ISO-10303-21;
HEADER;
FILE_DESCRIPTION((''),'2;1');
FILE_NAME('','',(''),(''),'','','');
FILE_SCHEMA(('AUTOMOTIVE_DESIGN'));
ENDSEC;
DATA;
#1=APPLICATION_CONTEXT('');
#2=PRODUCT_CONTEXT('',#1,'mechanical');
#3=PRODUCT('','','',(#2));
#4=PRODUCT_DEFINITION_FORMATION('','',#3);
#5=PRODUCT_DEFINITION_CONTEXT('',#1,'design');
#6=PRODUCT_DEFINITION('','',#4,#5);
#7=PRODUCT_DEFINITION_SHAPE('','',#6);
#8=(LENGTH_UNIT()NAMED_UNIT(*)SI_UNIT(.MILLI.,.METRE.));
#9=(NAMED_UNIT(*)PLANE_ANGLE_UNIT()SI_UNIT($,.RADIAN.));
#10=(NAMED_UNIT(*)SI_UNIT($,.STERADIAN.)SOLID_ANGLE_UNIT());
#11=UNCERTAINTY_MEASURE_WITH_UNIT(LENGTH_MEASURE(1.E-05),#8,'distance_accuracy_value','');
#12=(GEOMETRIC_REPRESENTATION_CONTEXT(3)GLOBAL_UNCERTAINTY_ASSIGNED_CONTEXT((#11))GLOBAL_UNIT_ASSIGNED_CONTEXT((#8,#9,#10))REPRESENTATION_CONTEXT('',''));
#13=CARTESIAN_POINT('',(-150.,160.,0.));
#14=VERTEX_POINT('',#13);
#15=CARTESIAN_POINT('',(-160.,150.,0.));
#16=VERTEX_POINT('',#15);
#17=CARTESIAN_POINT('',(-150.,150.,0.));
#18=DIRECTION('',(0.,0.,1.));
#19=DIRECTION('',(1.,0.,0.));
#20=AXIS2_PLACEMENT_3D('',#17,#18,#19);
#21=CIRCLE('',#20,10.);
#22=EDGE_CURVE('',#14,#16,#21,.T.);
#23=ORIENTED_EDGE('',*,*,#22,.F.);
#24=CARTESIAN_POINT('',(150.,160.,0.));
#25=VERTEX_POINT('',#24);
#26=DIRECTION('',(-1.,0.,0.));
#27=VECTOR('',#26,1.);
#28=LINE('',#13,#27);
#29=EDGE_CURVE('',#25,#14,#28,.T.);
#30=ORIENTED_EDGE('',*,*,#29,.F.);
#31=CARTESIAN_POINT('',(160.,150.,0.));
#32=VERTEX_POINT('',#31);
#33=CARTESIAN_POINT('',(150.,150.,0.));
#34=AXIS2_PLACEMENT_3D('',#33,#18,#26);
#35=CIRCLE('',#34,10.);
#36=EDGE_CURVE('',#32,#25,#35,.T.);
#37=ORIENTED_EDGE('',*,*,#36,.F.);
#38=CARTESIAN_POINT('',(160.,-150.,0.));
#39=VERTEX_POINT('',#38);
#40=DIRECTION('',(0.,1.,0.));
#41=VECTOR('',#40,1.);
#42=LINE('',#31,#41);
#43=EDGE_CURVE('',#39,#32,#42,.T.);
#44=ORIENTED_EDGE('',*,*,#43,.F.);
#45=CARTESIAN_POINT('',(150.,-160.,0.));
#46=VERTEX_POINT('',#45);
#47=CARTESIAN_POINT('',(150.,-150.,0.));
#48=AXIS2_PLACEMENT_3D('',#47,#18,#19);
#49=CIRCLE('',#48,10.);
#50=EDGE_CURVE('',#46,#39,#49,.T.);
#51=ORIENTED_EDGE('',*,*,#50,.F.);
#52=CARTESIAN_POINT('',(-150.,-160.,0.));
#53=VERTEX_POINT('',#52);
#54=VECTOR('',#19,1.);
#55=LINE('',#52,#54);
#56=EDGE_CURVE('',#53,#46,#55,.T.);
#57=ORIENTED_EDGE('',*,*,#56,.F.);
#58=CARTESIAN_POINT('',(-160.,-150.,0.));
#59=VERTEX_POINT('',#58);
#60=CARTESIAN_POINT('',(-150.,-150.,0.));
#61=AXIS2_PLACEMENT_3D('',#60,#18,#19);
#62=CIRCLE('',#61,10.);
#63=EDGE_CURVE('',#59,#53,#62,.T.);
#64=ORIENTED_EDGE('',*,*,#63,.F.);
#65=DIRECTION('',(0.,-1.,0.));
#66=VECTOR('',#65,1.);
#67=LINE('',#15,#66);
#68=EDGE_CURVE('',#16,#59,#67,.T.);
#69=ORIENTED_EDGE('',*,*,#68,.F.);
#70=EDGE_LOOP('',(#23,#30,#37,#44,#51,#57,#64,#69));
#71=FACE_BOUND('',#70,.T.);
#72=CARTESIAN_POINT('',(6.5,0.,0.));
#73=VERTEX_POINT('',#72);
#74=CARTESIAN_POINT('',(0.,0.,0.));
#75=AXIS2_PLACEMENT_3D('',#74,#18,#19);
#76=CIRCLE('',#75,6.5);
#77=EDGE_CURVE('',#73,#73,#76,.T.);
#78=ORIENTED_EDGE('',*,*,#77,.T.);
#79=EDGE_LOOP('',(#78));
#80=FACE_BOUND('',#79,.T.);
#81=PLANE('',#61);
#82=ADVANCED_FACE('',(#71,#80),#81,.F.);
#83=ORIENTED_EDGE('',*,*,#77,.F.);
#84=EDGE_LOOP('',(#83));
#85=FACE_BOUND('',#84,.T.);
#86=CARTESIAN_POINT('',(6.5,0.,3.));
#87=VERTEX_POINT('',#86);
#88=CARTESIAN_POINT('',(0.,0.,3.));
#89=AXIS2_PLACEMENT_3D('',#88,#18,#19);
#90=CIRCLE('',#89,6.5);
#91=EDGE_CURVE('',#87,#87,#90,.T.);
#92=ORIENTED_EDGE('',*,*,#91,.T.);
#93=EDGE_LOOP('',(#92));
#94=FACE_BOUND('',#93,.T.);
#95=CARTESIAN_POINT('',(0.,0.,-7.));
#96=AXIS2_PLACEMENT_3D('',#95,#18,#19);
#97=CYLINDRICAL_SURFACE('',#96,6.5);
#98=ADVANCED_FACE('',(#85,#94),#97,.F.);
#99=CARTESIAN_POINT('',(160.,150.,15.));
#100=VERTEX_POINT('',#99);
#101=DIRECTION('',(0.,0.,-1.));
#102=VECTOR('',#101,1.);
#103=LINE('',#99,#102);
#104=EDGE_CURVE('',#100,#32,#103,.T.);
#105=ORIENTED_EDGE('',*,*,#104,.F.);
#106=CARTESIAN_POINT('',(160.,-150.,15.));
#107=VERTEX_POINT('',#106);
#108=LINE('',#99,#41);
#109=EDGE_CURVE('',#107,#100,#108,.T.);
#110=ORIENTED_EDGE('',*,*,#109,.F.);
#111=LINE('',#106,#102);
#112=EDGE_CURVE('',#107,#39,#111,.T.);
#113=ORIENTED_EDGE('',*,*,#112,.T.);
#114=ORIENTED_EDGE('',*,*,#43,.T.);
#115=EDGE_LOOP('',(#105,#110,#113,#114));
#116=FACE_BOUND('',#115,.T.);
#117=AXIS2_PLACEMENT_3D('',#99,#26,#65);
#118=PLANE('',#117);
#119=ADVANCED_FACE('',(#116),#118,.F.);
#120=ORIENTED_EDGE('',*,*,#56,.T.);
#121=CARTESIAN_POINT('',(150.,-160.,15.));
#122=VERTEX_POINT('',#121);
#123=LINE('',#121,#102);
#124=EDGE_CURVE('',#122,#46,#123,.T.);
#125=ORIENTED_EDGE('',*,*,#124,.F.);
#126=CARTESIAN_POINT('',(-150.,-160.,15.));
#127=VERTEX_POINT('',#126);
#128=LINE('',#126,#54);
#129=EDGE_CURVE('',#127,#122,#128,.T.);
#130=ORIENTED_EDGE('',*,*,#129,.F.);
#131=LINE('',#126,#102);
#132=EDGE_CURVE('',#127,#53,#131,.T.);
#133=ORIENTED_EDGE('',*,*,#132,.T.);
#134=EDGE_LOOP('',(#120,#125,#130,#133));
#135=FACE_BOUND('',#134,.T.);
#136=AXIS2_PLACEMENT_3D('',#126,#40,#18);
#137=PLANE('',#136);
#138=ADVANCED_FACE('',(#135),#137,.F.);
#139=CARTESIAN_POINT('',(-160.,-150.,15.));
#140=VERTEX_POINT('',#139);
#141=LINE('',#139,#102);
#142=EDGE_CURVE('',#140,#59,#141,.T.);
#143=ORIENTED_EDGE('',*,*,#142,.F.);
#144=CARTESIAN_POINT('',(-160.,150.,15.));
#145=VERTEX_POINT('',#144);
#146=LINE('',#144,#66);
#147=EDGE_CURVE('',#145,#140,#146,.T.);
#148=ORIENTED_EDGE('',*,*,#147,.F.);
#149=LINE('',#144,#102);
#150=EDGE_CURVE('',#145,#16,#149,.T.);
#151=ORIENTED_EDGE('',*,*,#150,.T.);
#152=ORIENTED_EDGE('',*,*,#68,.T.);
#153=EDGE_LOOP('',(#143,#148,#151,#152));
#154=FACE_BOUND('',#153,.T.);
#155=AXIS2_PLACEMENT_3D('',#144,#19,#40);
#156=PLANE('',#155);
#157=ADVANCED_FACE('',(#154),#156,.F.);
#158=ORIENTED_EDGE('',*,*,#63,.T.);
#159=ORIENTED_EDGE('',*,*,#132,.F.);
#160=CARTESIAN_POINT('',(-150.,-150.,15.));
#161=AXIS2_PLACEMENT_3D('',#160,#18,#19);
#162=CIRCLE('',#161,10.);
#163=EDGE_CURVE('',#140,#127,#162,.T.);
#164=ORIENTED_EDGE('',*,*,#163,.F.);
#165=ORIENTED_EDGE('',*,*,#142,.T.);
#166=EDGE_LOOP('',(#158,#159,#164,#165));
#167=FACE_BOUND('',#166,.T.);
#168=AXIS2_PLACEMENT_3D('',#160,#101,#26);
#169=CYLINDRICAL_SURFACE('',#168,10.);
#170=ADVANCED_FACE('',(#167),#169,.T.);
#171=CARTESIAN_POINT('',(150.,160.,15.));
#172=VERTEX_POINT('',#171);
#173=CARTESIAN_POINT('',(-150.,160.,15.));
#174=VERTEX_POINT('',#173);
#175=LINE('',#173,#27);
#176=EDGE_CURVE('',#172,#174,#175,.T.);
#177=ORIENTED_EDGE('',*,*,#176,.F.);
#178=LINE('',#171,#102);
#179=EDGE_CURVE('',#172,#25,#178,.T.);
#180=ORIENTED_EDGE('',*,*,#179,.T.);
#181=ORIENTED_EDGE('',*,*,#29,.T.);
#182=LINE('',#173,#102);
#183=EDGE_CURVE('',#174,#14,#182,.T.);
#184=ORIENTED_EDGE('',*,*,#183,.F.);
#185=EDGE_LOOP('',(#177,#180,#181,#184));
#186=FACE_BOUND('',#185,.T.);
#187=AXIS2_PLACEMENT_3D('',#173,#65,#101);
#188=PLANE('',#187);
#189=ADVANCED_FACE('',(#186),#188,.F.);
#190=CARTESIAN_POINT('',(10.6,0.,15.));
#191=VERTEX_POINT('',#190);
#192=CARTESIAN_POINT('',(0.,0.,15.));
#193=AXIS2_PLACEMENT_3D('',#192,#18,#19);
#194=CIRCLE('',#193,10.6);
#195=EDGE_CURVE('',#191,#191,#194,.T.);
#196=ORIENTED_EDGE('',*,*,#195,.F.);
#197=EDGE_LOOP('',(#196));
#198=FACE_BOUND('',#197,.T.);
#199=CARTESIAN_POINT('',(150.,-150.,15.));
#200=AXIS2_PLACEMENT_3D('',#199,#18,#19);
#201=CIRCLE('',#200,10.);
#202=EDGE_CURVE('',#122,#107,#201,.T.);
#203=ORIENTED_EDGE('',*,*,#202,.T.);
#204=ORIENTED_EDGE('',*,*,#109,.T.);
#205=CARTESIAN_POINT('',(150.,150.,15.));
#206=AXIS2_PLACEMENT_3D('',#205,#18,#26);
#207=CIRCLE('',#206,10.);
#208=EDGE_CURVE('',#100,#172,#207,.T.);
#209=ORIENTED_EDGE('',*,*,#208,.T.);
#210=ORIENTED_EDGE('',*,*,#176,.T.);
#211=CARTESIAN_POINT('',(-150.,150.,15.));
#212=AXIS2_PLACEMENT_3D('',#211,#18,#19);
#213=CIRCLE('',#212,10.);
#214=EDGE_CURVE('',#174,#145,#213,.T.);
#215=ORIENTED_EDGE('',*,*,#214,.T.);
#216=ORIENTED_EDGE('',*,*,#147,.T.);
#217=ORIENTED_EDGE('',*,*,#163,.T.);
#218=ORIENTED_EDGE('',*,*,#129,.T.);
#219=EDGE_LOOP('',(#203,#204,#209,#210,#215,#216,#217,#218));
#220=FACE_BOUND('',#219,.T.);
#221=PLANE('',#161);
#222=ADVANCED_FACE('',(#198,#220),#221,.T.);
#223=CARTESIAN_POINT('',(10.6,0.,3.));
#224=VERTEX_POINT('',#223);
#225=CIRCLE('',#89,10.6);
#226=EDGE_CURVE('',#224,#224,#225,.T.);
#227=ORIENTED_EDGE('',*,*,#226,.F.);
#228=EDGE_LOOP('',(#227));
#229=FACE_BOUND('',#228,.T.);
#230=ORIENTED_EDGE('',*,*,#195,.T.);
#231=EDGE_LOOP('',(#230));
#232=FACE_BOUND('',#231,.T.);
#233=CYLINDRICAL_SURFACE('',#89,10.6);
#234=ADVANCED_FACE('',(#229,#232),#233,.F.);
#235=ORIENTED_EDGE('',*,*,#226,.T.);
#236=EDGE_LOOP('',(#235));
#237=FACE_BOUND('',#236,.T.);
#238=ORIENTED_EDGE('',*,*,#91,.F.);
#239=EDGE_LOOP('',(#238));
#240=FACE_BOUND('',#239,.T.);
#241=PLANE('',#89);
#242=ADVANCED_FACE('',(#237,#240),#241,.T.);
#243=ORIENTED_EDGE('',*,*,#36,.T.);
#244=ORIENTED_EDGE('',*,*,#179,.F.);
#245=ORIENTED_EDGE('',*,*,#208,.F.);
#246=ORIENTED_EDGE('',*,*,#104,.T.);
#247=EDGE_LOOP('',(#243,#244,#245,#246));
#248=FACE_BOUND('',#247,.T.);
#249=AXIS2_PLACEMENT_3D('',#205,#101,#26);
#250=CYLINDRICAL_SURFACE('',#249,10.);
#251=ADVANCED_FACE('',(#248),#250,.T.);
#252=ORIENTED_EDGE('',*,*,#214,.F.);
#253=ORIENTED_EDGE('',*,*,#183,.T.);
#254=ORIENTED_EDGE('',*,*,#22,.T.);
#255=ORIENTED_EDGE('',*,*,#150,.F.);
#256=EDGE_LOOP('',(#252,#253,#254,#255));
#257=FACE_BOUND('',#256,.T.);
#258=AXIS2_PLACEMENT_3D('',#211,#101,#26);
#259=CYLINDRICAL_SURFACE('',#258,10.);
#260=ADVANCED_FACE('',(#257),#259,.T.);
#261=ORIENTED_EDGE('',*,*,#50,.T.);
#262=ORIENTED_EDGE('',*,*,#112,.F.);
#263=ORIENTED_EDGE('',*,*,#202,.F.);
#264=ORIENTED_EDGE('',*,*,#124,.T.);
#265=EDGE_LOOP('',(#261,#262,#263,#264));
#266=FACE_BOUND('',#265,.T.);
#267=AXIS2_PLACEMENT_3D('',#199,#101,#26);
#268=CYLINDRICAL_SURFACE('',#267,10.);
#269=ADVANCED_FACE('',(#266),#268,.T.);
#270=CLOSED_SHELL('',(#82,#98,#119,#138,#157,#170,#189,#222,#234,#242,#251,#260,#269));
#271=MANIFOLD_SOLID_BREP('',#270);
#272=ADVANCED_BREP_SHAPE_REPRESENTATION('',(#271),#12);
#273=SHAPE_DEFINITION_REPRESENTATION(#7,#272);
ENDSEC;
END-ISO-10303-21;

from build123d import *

# Parameters (mm, degrees)
BOSS_EXTRUDE1_DEPTH = 15
SKETCH2_R           = 10.6
CUT_EXTRUDE1_DEPTH  = 12
SKETCH3_R           = 6.5
CUT_EXTRUDE2_DEPTH  = 10


with BuildPart() as part:
    # Sketch1 → Boss-Extrude1 (new body)
    with BuildSketch(Plane.XY):
        with BuildLine():
            Line((-150, 160), (150, 160))
            ThreePointArc((150, 160), (157.071067812, 157.071067812), (160, 150))
            Line((160, 150), (160, -150))
            ThreePointArc((160, -150), (157.071067812, -157.071067812), (150, -160))
            Line((150, -160), (-150, -160))
            ThreePointArc((-150, -160), (-157.071067812, -157.071067812), (-160, -150))
            Line((-160, -150), (-160, 150))
            ThreePointArc((-160, 150), (-157.071067812, 157.071067812), (-150, 160))
        make_face()
    extrude(amount=BOSS_EXTRUDE1_DEPTH)

    # Sketch2 → Cut-Extrude1 (cut)
    with BuildSketch(Plane.XY.offset(15)):
        Circle(SKETCH2_R)
    extrude(amount=-CUT_EXTRUDE1_DEPTH, mode=Mode.SUBTRACT)

    # Sketch3 → Cut-Extrude2 (cut)
    with BuildSketch(Plane.XY.offset(3)):
        Circle(SKETCH3_R)
    extrude(amount=-CUT_EXTRUDE2_DEPTH, mode=Mode.SUBTRACT)


solid = part.part
